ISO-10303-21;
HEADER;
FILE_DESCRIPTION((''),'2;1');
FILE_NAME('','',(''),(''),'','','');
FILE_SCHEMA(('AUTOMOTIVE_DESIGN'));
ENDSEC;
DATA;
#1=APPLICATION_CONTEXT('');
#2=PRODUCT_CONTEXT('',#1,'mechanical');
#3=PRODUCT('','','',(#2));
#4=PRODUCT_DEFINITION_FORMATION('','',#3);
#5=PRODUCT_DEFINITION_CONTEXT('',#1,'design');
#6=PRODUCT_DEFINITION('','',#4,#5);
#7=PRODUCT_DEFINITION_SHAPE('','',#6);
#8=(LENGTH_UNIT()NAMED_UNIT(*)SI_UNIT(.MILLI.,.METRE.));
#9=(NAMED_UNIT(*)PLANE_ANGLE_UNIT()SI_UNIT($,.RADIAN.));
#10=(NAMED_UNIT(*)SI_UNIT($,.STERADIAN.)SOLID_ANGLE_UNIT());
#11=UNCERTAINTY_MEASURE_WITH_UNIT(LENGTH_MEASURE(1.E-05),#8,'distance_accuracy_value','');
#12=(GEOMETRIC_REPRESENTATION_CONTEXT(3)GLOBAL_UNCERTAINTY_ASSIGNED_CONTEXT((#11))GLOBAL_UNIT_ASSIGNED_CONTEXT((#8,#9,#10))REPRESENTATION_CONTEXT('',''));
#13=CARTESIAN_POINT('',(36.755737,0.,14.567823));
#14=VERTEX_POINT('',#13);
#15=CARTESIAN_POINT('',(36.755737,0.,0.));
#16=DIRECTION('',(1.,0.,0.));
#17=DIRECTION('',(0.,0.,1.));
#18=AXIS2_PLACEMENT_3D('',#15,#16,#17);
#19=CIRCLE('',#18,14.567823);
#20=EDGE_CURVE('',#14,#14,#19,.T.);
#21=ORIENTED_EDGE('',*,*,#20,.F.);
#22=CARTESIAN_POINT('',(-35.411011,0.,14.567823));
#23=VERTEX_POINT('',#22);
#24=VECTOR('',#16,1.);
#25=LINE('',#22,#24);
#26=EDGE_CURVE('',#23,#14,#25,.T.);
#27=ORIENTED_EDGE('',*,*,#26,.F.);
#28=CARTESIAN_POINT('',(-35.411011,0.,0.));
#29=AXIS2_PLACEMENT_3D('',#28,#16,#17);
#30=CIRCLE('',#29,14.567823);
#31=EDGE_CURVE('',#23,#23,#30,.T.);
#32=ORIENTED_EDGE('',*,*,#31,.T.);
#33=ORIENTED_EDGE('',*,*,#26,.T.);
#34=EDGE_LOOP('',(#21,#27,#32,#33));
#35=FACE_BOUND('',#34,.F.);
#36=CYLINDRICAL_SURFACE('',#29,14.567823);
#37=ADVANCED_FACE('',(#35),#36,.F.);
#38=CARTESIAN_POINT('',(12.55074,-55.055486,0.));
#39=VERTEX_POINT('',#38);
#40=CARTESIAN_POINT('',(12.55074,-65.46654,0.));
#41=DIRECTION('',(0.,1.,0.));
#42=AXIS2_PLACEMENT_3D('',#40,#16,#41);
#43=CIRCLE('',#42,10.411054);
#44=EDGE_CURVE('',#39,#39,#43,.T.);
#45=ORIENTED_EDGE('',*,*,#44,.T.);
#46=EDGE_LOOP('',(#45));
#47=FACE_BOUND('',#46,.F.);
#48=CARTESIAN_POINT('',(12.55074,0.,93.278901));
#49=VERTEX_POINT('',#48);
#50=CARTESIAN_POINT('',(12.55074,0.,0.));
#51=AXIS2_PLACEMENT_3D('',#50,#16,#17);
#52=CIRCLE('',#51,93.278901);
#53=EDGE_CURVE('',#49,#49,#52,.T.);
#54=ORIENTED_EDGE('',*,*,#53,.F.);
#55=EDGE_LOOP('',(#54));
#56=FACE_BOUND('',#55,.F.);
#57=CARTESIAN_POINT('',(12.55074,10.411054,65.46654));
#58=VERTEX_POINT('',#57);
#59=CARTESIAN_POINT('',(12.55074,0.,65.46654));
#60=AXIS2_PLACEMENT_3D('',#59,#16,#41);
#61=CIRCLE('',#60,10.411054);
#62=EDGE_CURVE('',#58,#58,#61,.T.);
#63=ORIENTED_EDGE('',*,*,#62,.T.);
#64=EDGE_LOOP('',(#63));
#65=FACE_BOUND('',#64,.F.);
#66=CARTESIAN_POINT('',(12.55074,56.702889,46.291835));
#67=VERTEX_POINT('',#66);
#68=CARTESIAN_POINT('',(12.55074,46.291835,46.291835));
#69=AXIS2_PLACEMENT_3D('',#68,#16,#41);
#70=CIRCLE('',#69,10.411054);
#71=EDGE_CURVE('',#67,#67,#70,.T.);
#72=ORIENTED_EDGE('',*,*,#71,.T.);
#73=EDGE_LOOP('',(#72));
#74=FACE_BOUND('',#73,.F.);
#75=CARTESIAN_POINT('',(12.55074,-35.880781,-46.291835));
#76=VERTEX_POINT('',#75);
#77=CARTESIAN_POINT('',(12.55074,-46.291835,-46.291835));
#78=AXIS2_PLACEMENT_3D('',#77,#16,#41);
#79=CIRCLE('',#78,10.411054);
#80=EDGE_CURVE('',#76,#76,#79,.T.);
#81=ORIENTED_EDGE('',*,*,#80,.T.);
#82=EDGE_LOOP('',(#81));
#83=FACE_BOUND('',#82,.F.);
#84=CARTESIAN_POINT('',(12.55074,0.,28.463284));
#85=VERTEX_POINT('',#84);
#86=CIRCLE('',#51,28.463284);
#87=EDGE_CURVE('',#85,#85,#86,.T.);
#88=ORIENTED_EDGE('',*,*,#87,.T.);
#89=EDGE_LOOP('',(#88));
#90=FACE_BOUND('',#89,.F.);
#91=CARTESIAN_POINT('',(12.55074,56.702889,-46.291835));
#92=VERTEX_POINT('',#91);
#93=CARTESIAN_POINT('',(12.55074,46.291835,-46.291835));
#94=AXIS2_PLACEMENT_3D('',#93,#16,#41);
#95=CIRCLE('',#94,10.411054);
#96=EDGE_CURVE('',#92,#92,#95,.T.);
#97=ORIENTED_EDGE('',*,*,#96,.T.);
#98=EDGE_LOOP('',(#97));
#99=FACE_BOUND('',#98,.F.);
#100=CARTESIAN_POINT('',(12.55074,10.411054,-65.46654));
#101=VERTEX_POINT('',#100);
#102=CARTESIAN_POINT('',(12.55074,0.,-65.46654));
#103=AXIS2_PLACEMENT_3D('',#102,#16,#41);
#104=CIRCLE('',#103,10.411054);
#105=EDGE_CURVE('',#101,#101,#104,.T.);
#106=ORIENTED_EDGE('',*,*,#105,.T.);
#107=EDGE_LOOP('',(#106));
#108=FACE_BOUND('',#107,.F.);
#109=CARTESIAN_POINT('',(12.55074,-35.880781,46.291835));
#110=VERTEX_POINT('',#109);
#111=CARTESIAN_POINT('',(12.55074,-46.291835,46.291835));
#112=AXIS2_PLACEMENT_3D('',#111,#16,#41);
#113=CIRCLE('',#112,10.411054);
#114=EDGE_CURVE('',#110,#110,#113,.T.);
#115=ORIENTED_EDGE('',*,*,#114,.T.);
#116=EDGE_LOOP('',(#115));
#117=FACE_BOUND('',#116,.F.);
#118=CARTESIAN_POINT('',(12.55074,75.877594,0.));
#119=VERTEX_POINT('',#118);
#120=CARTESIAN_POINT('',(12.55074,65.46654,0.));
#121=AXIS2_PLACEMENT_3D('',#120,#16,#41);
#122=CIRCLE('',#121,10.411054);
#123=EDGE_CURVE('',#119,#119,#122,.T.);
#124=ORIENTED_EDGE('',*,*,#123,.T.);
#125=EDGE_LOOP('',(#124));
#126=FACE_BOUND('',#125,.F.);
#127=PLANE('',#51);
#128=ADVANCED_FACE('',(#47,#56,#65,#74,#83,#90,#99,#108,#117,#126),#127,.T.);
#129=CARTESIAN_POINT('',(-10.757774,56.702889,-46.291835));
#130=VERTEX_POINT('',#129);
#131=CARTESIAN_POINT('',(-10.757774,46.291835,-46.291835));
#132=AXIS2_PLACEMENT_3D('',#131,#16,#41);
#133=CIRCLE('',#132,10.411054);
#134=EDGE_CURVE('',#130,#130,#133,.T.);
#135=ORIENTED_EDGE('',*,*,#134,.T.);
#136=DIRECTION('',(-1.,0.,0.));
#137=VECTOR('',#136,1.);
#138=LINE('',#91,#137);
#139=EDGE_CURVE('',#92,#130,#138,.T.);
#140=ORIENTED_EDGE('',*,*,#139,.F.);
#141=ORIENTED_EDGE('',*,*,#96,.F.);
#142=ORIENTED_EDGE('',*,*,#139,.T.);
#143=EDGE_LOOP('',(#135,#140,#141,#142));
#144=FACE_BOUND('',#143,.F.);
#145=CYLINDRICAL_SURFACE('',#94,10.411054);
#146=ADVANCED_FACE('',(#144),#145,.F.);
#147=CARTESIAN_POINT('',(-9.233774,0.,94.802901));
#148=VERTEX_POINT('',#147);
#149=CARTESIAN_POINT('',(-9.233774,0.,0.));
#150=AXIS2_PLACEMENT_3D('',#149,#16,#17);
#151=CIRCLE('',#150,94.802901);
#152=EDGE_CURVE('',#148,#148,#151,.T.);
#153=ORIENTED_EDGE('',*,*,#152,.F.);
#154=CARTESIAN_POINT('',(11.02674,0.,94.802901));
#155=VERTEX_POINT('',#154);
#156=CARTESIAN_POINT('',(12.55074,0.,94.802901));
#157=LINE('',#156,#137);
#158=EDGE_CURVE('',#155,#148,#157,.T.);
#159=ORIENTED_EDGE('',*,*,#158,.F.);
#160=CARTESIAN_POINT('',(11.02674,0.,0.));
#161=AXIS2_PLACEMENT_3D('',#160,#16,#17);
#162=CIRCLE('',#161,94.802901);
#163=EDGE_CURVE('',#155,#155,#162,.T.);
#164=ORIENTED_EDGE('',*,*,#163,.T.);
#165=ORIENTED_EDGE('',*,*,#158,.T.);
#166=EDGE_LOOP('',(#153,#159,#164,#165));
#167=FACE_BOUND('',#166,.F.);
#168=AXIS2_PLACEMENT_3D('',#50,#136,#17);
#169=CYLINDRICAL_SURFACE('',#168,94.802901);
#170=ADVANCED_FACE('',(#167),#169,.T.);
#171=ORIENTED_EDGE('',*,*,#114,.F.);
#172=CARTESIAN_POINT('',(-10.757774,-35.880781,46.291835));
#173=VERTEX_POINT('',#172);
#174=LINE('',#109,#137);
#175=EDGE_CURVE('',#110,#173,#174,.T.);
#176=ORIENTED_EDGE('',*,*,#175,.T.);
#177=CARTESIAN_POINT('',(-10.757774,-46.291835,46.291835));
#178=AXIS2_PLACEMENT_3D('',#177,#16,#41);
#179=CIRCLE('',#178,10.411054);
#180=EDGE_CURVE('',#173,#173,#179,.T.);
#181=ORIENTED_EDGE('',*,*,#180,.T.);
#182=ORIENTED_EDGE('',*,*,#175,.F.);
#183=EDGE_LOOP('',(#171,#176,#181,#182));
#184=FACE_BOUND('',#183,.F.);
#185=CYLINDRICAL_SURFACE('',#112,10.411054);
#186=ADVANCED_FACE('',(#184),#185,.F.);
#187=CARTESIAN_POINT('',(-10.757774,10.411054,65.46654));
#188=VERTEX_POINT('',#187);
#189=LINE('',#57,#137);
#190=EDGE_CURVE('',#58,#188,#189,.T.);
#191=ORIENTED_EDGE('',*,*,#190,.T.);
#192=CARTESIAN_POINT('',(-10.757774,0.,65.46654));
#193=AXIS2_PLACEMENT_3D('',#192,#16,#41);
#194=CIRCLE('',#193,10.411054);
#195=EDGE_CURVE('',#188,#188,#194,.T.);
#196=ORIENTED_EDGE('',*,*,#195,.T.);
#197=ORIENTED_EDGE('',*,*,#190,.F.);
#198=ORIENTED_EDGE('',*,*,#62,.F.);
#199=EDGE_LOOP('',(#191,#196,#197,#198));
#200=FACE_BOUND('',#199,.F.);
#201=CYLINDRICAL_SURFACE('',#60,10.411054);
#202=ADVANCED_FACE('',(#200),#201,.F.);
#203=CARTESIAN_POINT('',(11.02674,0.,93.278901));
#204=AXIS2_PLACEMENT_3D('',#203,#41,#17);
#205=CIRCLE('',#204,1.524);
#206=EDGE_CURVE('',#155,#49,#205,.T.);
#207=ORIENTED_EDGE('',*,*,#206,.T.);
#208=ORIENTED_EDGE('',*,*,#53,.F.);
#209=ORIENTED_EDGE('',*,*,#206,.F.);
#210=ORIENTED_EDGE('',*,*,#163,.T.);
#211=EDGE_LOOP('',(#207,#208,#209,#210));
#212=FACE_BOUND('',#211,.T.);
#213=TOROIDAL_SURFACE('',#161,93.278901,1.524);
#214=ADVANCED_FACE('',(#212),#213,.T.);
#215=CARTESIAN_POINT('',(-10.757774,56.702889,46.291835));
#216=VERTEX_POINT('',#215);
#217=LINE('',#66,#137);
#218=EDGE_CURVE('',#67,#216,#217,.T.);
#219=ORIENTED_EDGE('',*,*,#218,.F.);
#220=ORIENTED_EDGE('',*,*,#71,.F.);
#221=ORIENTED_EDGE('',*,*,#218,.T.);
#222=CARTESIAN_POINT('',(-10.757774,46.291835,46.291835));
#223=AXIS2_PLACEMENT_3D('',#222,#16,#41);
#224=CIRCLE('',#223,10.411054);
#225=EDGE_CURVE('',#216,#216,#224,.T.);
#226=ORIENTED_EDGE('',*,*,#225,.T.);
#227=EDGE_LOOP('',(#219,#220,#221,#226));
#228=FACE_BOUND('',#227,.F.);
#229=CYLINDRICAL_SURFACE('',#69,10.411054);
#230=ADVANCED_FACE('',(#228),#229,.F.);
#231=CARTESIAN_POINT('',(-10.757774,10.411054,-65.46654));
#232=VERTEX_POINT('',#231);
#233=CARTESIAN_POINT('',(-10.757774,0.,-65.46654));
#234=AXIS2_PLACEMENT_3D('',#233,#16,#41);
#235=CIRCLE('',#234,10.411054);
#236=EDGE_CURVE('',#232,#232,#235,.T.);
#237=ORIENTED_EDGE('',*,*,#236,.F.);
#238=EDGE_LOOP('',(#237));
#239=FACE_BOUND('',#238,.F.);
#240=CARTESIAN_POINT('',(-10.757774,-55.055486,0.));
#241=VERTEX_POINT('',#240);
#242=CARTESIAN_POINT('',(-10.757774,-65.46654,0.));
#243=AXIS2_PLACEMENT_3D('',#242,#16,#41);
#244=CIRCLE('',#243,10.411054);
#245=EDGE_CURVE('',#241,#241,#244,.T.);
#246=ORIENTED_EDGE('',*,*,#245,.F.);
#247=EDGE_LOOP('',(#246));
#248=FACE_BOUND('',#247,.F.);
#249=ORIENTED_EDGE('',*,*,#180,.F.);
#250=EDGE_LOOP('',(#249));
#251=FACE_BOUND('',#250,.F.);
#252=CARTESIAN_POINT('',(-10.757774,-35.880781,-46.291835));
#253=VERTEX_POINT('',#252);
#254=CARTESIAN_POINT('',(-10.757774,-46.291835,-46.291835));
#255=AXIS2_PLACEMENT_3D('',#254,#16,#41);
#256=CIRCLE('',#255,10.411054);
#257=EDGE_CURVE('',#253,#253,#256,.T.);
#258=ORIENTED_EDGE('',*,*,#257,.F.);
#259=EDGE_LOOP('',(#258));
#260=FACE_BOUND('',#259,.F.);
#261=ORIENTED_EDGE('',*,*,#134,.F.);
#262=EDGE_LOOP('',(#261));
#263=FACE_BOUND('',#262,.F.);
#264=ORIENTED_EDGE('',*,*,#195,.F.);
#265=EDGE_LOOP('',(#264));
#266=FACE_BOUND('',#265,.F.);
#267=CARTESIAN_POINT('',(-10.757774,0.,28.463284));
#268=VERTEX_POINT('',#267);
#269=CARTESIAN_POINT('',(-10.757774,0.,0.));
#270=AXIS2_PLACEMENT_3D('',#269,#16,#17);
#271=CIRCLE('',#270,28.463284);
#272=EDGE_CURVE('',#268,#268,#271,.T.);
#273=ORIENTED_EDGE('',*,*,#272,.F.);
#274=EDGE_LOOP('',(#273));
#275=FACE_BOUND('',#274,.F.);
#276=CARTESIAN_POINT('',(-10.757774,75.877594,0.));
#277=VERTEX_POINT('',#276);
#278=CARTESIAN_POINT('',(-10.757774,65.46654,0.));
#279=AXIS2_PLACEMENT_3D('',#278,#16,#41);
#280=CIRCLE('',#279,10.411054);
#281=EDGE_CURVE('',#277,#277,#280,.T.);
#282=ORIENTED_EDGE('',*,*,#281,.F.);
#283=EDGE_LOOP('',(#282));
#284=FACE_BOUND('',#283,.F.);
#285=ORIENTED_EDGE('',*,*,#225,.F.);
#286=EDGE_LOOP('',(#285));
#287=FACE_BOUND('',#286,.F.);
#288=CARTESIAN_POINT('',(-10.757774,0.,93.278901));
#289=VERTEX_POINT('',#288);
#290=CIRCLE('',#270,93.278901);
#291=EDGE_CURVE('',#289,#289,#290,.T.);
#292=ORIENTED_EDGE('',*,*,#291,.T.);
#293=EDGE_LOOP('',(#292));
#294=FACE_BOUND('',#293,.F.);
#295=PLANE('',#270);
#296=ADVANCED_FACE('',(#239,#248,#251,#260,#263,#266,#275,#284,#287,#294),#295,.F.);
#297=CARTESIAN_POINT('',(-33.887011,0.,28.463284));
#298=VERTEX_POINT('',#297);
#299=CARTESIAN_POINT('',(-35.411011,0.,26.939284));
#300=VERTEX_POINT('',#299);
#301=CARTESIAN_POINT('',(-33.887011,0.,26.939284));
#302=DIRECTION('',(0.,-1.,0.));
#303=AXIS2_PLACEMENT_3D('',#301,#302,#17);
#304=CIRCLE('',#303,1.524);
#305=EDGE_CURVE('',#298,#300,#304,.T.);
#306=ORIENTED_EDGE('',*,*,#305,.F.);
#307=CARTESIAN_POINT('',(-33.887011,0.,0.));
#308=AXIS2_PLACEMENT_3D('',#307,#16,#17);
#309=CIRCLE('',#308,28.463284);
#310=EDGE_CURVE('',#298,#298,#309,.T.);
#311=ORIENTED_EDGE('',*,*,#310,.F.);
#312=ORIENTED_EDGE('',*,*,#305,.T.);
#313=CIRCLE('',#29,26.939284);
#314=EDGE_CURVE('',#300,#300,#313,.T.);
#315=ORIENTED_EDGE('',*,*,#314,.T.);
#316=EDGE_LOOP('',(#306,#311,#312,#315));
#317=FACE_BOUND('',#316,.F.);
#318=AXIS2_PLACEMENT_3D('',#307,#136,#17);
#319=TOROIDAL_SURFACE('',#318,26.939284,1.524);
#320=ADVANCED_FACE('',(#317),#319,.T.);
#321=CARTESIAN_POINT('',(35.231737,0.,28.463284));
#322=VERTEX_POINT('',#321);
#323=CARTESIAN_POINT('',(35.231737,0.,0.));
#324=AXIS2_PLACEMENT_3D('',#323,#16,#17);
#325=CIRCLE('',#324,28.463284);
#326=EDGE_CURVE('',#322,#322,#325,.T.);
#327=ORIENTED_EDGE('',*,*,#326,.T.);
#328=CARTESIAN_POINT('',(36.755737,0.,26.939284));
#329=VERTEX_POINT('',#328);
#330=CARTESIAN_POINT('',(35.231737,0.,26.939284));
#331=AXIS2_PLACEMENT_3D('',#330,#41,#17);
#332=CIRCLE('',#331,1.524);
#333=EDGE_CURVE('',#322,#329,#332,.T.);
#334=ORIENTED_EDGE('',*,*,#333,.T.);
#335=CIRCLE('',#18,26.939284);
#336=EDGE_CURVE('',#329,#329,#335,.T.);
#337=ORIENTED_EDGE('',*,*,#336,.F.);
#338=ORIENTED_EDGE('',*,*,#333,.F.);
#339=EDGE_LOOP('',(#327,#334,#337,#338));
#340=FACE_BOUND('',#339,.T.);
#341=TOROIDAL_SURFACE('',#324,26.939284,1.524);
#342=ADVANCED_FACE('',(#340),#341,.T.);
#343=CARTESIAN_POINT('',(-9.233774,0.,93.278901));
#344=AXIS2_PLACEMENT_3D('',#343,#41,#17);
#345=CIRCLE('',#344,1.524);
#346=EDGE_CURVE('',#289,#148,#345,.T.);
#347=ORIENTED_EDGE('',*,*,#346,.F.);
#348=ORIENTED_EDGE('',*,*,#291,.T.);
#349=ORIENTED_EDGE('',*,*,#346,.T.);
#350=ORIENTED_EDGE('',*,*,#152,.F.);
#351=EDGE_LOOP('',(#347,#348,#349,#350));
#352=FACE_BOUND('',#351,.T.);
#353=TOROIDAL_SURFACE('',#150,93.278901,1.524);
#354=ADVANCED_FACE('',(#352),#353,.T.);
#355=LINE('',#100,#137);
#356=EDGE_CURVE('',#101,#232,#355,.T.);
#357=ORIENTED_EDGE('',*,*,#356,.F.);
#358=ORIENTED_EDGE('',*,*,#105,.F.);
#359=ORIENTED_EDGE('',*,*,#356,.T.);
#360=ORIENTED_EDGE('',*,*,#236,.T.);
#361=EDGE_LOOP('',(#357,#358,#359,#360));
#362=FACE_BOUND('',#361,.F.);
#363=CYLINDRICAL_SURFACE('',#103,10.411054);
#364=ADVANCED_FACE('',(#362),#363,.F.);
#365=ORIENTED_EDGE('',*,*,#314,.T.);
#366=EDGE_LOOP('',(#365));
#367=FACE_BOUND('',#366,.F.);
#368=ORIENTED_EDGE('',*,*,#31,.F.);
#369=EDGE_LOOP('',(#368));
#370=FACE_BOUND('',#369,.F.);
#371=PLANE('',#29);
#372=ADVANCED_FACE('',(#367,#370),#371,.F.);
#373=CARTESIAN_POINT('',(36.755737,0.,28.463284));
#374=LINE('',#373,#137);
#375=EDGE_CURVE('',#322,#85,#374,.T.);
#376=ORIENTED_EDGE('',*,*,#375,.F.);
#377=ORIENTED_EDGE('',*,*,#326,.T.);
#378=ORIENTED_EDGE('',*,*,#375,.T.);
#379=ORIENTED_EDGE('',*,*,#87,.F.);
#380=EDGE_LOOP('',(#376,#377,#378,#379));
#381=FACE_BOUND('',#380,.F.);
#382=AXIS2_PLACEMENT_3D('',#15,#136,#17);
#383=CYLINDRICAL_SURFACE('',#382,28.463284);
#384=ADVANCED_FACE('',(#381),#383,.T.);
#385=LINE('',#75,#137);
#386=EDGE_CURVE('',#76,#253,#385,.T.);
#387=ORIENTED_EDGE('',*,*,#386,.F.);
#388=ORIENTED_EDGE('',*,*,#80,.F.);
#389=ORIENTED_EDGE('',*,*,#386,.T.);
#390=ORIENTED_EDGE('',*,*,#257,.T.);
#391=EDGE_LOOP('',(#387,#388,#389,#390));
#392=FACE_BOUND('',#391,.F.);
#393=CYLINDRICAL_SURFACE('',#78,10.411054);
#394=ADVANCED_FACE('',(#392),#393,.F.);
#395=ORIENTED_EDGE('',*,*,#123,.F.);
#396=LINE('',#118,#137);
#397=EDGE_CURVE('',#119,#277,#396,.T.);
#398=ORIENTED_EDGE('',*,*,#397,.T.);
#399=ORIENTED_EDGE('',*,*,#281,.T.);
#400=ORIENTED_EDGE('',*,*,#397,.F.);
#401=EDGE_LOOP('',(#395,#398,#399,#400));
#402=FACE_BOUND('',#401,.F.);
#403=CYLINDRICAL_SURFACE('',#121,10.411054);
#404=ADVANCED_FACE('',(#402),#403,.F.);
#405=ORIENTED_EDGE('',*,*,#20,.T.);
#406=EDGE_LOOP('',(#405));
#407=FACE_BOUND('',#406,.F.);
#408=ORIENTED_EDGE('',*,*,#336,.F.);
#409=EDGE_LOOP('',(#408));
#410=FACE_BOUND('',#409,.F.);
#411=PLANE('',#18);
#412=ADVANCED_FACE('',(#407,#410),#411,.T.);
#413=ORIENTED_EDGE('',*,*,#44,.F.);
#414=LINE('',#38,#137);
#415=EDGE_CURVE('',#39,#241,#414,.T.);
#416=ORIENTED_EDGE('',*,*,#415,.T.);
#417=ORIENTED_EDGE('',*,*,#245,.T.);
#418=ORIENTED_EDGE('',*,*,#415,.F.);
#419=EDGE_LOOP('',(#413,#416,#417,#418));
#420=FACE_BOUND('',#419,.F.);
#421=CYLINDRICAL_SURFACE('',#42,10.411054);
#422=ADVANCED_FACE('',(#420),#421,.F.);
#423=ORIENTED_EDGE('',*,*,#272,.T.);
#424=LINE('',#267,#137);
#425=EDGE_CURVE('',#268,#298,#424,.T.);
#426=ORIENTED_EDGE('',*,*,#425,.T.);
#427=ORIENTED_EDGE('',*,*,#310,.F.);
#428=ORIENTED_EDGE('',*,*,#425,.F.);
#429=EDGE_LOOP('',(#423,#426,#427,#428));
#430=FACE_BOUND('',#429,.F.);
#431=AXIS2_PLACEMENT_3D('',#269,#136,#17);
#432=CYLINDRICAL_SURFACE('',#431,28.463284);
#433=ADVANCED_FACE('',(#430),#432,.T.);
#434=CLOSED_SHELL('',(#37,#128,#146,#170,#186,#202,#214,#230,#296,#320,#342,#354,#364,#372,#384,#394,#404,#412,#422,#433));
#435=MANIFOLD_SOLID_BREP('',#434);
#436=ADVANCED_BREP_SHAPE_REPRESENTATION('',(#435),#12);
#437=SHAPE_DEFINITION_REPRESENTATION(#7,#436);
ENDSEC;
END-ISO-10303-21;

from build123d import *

# Parameters (mm, degrees)
F2_R     = 10.411054
F3_DEPTH = 47.962751
F4_R     = 1.524
F5_R     = 1.524


with BuildPart() as f1:
    # F0 (on Front) → F1 (revolve)
    with BuildSketch(Plane.XZ):
        Polygon((-35.411011, 28.463284), (-35.411011, 14.567823), (36.755737, 14.567823), (36.755737, 28.463284), (12.55074, 28.463284), (12.55074, 94.802901), (-10.757774, 94.802901), (-10.757774, 28.463284), align=None)
    revolve(axis=Axis((-25.101472, 0, 0), (1, 0, 0)))

    # F2 (on face) → F3 (cut, through all)
    with BuildSketch(Plane.YZ.offset(12.55074)):
        with Locations((0, 65.46654)):
            Circle(F2_R)
        with Locations((-46.291835, 46.291835)):
            Circle(F2_R)
        with Locations((-65.46654, 0)):
            Circle(F2_R)
        with Locations((-46.291835, -46.291835)):
            Circle(F2_R)
        with Locations((0, -65.46654)):
            Circle(F2_R)
        with Locations((46.291835, -46.291835)):
            Circle(F2_R)
        with Locations((65.46654, 0)):
            Circle(F2_R)
        with Locations((46.291835, 46.291835)):
            Circle(F2_R)
    extrude(amount=-F3_DEPTH, mode=Mode.SUBTRACT)

    # F4
    f4_edges = [f1.edges().sort_by_distance(p)[0] for p in [
        (-10.757774, 0, -94.802901),
    ]]
    fillet(f4_edges, radius=F4_R)

    # F5
    f5_edges = [f1.edges().sort_by_distance(p)[0] for p in [
        (12.55074, 0, -94.802901),
        (36.755737, 0, -28.463284),
        (-35.411011, 0, -28.463284),
    ]]
    fillet(f5_edges, radius=F5_R)


solid = f1.part
